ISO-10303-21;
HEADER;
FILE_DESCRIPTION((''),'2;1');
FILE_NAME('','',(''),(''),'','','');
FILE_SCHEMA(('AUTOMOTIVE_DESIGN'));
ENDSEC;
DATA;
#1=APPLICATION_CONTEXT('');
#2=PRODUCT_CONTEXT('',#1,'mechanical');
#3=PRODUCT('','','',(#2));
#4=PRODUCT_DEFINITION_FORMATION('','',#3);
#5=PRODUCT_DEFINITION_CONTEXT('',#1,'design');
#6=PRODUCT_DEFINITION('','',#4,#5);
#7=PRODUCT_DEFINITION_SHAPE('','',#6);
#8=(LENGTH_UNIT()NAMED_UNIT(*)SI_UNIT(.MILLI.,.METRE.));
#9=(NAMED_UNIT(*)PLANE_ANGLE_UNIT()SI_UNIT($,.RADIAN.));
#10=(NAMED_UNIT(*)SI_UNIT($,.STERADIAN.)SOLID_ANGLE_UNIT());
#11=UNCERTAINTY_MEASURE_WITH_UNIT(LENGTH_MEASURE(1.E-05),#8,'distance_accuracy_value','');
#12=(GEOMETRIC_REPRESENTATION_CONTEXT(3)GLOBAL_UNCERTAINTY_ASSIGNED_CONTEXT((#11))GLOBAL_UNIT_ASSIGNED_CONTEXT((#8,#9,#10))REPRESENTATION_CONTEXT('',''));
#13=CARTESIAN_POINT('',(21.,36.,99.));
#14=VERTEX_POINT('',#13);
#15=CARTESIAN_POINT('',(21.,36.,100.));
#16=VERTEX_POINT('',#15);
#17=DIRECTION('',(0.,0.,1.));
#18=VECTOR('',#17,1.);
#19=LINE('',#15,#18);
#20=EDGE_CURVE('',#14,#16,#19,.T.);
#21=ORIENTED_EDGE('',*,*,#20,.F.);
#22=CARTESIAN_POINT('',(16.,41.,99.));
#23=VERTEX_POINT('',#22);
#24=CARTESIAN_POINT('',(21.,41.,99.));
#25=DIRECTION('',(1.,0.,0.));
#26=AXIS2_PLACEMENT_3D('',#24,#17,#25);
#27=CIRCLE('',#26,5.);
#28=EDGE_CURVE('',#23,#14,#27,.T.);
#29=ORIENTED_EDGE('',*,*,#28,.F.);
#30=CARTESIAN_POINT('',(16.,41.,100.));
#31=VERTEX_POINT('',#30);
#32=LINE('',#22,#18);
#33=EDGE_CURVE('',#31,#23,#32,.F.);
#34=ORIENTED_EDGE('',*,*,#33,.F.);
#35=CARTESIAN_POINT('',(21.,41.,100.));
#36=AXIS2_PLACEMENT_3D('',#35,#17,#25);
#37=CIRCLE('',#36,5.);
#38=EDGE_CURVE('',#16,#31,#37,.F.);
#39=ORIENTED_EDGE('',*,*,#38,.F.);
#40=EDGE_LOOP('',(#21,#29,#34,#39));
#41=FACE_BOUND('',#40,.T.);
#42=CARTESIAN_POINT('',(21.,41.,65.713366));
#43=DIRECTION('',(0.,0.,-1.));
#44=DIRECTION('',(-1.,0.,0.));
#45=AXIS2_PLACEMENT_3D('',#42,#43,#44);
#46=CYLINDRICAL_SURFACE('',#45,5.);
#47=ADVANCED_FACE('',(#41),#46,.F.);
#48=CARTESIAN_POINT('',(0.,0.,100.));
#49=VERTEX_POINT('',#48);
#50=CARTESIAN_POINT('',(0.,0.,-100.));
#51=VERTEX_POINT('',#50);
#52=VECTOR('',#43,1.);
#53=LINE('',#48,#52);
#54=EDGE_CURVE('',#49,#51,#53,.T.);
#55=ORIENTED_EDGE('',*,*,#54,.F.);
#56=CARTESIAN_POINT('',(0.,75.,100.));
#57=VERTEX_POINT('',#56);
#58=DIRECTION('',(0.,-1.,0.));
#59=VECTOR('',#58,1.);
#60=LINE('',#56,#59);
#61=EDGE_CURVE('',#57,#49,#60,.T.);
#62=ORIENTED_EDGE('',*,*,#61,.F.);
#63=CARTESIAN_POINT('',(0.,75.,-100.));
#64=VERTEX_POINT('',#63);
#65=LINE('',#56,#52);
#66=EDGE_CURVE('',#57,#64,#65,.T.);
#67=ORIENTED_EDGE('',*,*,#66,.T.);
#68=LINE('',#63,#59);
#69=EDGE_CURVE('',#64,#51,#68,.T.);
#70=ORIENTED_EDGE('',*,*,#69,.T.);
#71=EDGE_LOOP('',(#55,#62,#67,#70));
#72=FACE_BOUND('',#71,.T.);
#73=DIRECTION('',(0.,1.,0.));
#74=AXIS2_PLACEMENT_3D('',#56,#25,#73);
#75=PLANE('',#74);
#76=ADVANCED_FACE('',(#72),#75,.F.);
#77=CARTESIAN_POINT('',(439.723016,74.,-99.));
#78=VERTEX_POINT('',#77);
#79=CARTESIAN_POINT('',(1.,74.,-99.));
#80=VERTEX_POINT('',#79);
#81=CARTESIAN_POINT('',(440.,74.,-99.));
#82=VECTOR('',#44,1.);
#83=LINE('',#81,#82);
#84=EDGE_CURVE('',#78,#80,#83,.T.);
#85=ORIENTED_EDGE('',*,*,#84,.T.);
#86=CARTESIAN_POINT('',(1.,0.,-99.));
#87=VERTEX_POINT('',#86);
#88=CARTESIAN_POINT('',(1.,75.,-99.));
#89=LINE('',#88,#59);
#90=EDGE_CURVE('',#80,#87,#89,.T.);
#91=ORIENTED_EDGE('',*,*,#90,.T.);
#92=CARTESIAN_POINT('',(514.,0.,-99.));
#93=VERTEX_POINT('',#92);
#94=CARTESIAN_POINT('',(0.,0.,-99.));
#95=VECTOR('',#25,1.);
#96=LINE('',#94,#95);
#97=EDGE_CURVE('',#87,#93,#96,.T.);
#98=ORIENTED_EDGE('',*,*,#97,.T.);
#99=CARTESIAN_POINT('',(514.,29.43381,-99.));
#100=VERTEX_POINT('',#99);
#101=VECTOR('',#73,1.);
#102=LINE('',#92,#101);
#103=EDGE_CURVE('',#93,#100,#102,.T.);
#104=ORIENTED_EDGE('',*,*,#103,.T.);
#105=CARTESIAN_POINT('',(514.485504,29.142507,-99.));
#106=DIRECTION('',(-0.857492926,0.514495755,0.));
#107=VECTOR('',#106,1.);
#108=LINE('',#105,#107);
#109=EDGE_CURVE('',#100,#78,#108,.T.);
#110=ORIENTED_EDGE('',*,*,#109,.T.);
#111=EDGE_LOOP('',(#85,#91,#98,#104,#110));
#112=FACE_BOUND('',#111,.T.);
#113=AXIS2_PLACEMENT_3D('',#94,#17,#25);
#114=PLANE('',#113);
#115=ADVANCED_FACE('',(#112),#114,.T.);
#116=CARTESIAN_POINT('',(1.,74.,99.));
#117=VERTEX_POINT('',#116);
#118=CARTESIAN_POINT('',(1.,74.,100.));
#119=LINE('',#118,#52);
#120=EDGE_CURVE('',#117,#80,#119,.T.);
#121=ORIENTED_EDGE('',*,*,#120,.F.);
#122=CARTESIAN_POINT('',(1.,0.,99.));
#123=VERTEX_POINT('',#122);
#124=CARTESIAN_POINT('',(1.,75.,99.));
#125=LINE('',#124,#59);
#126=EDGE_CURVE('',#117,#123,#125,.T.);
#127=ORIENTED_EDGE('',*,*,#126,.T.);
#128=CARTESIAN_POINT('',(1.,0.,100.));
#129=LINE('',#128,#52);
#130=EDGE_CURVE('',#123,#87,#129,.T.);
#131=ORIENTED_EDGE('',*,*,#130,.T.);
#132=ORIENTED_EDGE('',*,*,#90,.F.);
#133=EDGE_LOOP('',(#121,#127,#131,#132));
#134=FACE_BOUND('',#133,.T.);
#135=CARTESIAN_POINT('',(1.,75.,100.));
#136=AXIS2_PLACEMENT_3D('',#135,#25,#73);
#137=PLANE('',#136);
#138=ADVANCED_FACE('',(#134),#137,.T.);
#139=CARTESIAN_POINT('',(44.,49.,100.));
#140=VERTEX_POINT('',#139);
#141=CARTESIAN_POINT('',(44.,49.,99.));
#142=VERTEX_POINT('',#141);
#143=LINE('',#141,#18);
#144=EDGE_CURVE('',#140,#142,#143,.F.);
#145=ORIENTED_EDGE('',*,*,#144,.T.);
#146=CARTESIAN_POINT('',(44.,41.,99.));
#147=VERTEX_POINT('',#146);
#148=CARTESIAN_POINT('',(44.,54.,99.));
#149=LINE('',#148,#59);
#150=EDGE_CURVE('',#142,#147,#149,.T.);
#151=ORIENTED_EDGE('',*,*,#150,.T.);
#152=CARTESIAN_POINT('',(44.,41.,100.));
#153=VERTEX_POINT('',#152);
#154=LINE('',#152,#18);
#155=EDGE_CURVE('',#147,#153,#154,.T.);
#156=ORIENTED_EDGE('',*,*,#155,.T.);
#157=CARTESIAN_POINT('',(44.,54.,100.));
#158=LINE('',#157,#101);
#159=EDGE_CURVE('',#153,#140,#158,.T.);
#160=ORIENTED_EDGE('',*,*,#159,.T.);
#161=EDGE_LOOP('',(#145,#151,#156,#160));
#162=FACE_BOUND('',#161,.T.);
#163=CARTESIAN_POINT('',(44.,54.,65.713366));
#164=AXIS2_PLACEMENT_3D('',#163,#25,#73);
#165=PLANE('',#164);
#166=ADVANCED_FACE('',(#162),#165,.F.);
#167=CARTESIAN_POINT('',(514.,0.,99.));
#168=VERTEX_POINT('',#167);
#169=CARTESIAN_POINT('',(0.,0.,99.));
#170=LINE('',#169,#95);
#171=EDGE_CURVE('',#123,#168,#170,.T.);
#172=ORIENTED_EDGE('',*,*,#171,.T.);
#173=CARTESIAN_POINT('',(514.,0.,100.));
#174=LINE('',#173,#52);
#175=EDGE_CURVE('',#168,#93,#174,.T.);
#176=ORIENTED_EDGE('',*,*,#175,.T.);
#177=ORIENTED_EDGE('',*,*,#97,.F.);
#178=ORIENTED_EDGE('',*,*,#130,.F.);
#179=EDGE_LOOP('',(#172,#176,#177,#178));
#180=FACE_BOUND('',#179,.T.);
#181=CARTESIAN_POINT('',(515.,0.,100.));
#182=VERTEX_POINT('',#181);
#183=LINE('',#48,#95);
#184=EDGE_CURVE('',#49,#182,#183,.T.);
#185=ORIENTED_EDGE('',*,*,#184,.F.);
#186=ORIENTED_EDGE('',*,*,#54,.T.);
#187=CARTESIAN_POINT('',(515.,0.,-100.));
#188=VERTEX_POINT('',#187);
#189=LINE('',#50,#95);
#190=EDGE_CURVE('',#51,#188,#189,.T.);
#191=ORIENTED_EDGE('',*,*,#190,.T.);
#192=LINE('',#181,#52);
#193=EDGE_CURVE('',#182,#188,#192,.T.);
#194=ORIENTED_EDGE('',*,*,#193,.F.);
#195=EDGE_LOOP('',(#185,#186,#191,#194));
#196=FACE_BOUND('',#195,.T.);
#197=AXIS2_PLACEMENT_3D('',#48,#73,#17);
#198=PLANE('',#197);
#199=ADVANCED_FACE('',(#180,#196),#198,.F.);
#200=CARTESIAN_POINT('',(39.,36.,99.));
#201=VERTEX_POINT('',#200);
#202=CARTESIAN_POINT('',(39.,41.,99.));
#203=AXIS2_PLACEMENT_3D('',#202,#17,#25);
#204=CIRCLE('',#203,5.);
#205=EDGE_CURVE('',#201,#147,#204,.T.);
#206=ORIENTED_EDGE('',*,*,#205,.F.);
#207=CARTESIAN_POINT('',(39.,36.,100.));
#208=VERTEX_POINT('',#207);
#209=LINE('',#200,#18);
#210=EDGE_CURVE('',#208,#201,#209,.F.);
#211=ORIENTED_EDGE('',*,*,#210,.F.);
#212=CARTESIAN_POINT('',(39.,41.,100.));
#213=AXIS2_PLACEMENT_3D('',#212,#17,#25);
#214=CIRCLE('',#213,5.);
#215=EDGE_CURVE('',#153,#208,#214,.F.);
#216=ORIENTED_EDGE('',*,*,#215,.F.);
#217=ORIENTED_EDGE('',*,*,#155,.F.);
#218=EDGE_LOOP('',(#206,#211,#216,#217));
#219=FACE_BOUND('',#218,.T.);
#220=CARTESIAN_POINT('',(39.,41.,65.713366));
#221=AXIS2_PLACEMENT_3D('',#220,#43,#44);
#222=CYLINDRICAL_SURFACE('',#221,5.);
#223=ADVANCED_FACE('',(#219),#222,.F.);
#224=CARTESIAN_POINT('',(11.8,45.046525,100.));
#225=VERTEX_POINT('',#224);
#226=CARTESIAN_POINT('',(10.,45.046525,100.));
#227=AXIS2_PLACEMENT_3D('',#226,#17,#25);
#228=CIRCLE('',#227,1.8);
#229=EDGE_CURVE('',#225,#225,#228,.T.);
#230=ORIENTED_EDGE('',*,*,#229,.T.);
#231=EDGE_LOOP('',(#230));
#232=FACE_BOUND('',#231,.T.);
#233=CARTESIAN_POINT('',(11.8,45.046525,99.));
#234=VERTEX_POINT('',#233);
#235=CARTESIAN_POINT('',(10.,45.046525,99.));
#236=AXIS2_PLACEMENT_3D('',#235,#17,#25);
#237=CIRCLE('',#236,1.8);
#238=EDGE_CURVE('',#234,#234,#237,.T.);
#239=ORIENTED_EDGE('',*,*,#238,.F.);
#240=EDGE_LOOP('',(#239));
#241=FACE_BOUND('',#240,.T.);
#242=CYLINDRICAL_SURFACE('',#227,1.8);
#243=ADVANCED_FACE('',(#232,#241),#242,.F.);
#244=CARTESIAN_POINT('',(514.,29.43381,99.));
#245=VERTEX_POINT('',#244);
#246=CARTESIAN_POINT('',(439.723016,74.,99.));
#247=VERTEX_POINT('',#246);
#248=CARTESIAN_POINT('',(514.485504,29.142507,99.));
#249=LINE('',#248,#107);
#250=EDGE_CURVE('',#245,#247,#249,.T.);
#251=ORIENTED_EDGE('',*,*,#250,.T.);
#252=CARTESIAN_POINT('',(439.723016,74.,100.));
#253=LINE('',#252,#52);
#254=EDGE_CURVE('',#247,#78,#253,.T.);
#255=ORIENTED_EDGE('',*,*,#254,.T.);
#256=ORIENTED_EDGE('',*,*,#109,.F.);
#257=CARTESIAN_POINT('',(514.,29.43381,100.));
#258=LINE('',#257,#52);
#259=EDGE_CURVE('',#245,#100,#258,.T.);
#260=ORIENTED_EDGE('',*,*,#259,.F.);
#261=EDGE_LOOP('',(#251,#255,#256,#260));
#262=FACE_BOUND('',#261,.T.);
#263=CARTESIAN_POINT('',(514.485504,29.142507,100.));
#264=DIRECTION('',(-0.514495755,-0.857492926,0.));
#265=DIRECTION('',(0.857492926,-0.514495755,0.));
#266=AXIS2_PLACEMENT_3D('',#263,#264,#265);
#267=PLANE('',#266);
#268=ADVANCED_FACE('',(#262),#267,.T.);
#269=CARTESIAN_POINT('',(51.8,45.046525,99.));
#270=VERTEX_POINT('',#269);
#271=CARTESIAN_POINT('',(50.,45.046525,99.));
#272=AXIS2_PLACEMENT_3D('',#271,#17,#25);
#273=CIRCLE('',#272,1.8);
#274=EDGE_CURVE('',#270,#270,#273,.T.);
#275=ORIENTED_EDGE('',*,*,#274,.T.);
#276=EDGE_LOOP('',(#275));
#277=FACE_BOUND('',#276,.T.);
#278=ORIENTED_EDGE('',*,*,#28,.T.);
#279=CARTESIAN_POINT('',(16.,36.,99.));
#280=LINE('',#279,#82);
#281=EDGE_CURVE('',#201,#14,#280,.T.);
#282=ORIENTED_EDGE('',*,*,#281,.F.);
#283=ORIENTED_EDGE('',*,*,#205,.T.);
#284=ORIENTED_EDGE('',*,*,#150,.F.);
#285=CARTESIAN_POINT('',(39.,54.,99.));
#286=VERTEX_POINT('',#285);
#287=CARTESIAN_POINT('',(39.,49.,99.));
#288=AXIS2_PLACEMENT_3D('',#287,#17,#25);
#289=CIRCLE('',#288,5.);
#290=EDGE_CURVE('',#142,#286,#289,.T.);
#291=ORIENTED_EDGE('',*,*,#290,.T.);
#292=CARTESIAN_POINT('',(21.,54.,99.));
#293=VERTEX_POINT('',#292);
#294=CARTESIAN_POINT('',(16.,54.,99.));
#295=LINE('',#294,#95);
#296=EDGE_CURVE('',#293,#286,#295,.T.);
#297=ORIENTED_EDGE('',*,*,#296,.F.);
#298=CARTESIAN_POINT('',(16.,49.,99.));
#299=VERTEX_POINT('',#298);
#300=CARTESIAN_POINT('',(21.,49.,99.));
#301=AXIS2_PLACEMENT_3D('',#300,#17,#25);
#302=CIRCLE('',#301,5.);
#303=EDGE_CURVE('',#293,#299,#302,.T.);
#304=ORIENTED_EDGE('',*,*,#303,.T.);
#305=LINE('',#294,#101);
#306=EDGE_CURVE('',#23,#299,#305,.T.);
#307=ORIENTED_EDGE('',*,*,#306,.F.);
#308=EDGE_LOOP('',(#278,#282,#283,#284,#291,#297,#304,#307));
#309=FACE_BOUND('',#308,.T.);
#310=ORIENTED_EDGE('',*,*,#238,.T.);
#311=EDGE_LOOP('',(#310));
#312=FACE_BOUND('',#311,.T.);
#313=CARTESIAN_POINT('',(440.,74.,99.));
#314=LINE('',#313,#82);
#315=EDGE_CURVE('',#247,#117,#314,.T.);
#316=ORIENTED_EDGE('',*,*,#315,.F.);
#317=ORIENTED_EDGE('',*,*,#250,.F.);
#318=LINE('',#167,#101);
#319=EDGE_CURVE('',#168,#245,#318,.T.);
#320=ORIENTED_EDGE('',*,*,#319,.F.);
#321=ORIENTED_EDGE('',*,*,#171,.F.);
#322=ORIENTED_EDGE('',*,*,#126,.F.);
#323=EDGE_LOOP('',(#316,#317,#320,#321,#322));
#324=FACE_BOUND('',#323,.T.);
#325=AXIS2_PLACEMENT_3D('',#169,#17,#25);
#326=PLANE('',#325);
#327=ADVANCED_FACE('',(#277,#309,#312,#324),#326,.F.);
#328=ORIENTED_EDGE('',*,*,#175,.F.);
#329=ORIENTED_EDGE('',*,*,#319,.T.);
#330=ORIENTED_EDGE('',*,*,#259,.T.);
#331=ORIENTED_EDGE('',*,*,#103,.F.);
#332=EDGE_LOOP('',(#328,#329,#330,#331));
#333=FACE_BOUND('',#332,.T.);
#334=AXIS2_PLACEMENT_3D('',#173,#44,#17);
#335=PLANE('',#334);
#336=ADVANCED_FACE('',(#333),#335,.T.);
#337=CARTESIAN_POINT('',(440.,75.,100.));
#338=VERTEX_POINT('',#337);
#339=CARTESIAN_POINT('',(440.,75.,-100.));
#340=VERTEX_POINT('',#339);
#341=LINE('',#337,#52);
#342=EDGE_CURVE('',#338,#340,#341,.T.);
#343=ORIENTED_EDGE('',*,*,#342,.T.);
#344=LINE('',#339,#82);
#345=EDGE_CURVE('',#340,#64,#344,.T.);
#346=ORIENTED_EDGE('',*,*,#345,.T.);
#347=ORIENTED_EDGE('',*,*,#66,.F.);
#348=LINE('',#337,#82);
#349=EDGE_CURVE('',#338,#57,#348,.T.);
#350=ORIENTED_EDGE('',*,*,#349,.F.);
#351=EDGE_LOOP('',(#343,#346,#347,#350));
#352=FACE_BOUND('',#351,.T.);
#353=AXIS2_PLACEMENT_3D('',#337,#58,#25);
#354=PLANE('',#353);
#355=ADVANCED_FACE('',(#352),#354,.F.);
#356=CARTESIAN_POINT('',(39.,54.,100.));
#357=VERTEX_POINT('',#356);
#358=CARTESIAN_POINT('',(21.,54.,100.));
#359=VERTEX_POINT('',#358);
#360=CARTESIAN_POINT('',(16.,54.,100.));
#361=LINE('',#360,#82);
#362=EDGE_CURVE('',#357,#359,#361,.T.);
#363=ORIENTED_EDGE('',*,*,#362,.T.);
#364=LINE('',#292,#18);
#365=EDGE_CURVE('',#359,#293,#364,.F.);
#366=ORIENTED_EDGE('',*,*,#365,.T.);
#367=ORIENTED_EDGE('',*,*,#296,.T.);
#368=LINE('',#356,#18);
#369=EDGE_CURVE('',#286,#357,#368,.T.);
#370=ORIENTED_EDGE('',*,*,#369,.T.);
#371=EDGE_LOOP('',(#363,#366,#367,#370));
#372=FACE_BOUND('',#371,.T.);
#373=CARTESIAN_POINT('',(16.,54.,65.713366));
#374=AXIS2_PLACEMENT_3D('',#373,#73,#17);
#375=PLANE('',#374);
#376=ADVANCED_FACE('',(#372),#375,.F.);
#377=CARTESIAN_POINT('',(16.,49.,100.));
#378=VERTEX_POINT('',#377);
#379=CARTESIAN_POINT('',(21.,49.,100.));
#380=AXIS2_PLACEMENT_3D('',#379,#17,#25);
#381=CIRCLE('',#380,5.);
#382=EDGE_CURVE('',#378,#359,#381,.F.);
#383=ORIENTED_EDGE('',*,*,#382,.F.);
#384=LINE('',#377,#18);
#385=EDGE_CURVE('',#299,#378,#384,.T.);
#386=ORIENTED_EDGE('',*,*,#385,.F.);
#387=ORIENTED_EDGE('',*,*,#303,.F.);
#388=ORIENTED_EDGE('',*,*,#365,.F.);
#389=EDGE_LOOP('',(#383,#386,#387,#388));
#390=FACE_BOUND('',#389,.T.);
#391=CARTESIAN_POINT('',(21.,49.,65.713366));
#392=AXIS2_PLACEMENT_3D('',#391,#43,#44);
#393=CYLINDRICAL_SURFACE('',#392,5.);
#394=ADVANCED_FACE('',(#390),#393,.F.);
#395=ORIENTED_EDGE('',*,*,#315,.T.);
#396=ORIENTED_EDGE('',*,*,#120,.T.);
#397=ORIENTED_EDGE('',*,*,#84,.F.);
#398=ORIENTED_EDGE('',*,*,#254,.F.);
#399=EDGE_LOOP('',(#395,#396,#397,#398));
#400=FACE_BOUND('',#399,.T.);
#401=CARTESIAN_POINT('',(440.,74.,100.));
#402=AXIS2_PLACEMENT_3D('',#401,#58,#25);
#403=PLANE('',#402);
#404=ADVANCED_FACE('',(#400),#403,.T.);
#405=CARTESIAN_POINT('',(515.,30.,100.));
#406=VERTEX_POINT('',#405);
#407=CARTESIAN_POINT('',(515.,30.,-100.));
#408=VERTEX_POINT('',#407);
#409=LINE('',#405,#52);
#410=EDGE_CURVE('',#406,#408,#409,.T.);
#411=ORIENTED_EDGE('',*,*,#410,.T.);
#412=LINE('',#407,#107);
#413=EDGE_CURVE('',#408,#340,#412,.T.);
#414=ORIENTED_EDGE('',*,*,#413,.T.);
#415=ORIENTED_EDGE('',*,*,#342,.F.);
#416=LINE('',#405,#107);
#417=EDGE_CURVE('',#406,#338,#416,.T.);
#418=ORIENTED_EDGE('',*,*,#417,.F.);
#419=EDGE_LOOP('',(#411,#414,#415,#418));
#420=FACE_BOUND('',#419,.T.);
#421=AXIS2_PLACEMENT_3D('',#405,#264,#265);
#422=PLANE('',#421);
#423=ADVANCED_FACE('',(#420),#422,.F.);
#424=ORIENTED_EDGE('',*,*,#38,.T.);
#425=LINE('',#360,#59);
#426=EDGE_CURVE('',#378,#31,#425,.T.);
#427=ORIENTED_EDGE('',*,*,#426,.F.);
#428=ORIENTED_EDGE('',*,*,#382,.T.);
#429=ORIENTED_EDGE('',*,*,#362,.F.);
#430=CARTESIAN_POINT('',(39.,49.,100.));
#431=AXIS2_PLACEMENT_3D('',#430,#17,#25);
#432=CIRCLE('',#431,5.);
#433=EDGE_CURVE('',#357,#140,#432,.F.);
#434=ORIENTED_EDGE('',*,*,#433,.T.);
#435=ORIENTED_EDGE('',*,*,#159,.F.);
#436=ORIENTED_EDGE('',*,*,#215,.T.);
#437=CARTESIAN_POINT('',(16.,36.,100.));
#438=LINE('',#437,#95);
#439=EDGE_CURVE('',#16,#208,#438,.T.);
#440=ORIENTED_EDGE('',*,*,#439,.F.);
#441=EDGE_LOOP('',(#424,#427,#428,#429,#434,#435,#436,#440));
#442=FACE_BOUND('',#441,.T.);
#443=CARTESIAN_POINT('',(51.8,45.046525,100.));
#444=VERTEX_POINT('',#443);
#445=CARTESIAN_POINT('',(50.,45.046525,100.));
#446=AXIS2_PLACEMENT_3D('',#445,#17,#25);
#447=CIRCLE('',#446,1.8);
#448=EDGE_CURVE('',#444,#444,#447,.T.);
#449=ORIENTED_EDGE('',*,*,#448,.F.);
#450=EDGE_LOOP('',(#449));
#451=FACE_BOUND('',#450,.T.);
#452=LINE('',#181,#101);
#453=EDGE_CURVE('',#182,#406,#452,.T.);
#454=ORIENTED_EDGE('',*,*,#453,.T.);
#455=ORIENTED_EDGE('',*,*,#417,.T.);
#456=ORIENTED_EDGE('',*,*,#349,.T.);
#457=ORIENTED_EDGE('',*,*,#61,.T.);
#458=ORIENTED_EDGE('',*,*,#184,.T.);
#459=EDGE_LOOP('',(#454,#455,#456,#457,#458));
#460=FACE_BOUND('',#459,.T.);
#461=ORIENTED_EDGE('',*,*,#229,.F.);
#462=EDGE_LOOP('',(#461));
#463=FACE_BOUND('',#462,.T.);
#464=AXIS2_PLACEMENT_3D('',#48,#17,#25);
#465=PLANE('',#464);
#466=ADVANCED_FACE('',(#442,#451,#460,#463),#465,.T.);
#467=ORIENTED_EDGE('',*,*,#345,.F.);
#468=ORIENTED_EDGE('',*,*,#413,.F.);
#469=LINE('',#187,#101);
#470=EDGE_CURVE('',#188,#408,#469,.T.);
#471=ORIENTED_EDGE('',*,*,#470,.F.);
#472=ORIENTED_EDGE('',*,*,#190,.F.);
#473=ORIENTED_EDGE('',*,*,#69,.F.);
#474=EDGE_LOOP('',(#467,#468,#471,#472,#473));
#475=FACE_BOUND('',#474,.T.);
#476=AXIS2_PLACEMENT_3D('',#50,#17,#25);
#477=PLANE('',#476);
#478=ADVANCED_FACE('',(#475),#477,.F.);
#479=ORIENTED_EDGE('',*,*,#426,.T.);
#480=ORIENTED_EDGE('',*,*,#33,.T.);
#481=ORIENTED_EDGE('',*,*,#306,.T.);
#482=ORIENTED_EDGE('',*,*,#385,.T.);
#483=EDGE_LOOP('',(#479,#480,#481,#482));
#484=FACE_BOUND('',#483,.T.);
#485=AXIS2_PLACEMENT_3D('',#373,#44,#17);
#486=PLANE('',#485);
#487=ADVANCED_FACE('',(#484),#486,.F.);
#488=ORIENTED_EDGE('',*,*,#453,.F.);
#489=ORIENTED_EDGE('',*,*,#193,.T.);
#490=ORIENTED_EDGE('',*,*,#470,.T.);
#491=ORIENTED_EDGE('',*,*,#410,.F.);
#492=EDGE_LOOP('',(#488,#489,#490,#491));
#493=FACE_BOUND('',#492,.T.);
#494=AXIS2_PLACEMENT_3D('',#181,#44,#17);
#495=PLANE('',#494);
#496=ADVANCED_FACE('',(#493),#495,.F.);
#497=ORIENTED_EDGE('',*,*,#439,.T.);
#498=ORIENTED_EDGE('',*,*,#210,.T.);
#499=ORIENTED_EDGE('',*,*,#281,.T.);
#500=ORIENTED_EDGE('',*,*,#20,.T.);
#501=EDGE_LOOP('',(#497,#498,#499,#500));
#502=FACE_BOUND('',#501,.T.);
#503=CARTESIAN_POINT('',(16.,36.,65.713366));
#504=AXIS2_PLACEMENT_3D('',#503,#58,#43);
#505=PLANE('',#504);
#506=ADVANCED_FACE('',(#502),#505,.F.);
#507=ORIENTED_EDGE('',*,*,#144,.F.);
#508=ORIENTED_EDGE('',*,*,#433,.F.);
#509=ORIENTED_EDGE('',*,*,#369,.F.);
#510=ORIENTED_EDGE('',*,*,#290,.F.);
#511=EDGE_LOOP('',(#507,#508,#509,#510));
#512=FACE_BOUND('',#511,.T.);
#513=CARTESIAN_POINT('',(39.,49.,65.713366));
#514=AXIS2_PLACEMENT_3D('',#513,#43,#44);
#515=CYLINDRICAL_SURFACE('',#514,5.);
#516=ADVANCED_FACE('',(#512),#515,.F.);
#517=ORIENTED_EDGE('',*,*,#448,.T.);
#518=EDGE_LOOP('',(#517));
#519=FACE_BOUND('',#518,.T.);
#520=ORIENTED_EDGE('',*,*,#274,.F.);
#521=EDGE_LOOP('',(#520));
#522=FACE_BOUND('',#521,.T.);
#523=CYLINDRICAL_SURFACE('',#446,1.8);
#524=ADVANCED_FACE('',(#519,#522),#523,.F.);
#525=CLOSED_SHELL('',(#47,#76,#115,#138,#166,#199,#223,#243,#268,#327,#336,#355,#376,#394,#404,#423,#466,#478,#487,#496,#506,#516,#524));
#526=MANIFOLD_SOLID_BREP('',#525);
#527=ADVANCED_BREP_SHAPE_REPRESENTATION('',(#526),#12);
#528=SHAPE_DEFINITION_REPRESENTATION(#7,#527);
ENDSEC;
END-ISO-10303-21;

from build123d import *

# Parameters (mm, degrees)
BOSS_EXTRUDE1_DEPTH      = 100
SHELL1_T                 = -1
SKETCH2_W                = 28
SKETCH2_H                = 18
CUT_EXTRUDE1_DEPTH       = 1
FILLET1_R                = 5
M3_CLEARANCE_HOLE1_D     = 3.6
M3_CLEARANCE_HOLE1_DEPTH = 10
M3_CLEARANCE_HOLE1_TIP   = 1.081549114


with BuildPart() as part:
    # Sketch1 → Boss-Extrude1 (new, symmetric)
    with BuildSketch(Plane.XY):
        Polygon((0, 0), (515, 0), (515, 30), (440, 75), (0, 75), align=None)
    extrude(amount=BOSS_EXTRUDE1_DEPTH, both=True)

    # Shell1
    shell1_openings = [part.faces().sort_by_distance(p)[0] for p in [
        (257.5, 0, 0),
    ]]
    offset(amount=SHELL1_T, openings=shell1_openings, kind=Kind.INTERSECTION)

    # Sketch2 → Cut-Extrude1 (cut)
    with BuildSketch(Plane.XY.offset(100)):
        with Locations((30, 45)):
            Rectangle(SKETCH2_W, SKETCH2_H)
    extrude(amount=-CUT_EXTRUDE1_DEPTH, mode=Mode.SUBTRACT)

    # Fillet1
    fillet1_edges = [part.edges().sort_by_distance(p)[0] for p in [
        (16, 36, 99.5),
        (16, 54, 99.5),
        (44, 54, 99.5),
        (44, 36, 99.5),
    ]]
    fillet(fillet1_edges, radius=FILLET1_R)

    # M3 Clearance Hole1
    with Locations(Plane.XY.offset(100)):
        with Locations((10, 45.046525162), (50, 45.046525162)):
            Hole(M3_CLEARANCE_HOLE1_D / 2, depth=M3_CLEARANCE_HOLE1_DEPTH)
            with Locations((0, 0, -(M3_CLEARANCE_HOLE1_DEPTH + M3_CLEARANCE_HOLE1_TIP / 2))):  # 118° drill point
                Cone(0, M3_CLEARANCE_HOLE1_D / 2, M3_CLEARANCE_HOLE1_TIP, mode=Mode.SUBTRACT)


solid = part.part
